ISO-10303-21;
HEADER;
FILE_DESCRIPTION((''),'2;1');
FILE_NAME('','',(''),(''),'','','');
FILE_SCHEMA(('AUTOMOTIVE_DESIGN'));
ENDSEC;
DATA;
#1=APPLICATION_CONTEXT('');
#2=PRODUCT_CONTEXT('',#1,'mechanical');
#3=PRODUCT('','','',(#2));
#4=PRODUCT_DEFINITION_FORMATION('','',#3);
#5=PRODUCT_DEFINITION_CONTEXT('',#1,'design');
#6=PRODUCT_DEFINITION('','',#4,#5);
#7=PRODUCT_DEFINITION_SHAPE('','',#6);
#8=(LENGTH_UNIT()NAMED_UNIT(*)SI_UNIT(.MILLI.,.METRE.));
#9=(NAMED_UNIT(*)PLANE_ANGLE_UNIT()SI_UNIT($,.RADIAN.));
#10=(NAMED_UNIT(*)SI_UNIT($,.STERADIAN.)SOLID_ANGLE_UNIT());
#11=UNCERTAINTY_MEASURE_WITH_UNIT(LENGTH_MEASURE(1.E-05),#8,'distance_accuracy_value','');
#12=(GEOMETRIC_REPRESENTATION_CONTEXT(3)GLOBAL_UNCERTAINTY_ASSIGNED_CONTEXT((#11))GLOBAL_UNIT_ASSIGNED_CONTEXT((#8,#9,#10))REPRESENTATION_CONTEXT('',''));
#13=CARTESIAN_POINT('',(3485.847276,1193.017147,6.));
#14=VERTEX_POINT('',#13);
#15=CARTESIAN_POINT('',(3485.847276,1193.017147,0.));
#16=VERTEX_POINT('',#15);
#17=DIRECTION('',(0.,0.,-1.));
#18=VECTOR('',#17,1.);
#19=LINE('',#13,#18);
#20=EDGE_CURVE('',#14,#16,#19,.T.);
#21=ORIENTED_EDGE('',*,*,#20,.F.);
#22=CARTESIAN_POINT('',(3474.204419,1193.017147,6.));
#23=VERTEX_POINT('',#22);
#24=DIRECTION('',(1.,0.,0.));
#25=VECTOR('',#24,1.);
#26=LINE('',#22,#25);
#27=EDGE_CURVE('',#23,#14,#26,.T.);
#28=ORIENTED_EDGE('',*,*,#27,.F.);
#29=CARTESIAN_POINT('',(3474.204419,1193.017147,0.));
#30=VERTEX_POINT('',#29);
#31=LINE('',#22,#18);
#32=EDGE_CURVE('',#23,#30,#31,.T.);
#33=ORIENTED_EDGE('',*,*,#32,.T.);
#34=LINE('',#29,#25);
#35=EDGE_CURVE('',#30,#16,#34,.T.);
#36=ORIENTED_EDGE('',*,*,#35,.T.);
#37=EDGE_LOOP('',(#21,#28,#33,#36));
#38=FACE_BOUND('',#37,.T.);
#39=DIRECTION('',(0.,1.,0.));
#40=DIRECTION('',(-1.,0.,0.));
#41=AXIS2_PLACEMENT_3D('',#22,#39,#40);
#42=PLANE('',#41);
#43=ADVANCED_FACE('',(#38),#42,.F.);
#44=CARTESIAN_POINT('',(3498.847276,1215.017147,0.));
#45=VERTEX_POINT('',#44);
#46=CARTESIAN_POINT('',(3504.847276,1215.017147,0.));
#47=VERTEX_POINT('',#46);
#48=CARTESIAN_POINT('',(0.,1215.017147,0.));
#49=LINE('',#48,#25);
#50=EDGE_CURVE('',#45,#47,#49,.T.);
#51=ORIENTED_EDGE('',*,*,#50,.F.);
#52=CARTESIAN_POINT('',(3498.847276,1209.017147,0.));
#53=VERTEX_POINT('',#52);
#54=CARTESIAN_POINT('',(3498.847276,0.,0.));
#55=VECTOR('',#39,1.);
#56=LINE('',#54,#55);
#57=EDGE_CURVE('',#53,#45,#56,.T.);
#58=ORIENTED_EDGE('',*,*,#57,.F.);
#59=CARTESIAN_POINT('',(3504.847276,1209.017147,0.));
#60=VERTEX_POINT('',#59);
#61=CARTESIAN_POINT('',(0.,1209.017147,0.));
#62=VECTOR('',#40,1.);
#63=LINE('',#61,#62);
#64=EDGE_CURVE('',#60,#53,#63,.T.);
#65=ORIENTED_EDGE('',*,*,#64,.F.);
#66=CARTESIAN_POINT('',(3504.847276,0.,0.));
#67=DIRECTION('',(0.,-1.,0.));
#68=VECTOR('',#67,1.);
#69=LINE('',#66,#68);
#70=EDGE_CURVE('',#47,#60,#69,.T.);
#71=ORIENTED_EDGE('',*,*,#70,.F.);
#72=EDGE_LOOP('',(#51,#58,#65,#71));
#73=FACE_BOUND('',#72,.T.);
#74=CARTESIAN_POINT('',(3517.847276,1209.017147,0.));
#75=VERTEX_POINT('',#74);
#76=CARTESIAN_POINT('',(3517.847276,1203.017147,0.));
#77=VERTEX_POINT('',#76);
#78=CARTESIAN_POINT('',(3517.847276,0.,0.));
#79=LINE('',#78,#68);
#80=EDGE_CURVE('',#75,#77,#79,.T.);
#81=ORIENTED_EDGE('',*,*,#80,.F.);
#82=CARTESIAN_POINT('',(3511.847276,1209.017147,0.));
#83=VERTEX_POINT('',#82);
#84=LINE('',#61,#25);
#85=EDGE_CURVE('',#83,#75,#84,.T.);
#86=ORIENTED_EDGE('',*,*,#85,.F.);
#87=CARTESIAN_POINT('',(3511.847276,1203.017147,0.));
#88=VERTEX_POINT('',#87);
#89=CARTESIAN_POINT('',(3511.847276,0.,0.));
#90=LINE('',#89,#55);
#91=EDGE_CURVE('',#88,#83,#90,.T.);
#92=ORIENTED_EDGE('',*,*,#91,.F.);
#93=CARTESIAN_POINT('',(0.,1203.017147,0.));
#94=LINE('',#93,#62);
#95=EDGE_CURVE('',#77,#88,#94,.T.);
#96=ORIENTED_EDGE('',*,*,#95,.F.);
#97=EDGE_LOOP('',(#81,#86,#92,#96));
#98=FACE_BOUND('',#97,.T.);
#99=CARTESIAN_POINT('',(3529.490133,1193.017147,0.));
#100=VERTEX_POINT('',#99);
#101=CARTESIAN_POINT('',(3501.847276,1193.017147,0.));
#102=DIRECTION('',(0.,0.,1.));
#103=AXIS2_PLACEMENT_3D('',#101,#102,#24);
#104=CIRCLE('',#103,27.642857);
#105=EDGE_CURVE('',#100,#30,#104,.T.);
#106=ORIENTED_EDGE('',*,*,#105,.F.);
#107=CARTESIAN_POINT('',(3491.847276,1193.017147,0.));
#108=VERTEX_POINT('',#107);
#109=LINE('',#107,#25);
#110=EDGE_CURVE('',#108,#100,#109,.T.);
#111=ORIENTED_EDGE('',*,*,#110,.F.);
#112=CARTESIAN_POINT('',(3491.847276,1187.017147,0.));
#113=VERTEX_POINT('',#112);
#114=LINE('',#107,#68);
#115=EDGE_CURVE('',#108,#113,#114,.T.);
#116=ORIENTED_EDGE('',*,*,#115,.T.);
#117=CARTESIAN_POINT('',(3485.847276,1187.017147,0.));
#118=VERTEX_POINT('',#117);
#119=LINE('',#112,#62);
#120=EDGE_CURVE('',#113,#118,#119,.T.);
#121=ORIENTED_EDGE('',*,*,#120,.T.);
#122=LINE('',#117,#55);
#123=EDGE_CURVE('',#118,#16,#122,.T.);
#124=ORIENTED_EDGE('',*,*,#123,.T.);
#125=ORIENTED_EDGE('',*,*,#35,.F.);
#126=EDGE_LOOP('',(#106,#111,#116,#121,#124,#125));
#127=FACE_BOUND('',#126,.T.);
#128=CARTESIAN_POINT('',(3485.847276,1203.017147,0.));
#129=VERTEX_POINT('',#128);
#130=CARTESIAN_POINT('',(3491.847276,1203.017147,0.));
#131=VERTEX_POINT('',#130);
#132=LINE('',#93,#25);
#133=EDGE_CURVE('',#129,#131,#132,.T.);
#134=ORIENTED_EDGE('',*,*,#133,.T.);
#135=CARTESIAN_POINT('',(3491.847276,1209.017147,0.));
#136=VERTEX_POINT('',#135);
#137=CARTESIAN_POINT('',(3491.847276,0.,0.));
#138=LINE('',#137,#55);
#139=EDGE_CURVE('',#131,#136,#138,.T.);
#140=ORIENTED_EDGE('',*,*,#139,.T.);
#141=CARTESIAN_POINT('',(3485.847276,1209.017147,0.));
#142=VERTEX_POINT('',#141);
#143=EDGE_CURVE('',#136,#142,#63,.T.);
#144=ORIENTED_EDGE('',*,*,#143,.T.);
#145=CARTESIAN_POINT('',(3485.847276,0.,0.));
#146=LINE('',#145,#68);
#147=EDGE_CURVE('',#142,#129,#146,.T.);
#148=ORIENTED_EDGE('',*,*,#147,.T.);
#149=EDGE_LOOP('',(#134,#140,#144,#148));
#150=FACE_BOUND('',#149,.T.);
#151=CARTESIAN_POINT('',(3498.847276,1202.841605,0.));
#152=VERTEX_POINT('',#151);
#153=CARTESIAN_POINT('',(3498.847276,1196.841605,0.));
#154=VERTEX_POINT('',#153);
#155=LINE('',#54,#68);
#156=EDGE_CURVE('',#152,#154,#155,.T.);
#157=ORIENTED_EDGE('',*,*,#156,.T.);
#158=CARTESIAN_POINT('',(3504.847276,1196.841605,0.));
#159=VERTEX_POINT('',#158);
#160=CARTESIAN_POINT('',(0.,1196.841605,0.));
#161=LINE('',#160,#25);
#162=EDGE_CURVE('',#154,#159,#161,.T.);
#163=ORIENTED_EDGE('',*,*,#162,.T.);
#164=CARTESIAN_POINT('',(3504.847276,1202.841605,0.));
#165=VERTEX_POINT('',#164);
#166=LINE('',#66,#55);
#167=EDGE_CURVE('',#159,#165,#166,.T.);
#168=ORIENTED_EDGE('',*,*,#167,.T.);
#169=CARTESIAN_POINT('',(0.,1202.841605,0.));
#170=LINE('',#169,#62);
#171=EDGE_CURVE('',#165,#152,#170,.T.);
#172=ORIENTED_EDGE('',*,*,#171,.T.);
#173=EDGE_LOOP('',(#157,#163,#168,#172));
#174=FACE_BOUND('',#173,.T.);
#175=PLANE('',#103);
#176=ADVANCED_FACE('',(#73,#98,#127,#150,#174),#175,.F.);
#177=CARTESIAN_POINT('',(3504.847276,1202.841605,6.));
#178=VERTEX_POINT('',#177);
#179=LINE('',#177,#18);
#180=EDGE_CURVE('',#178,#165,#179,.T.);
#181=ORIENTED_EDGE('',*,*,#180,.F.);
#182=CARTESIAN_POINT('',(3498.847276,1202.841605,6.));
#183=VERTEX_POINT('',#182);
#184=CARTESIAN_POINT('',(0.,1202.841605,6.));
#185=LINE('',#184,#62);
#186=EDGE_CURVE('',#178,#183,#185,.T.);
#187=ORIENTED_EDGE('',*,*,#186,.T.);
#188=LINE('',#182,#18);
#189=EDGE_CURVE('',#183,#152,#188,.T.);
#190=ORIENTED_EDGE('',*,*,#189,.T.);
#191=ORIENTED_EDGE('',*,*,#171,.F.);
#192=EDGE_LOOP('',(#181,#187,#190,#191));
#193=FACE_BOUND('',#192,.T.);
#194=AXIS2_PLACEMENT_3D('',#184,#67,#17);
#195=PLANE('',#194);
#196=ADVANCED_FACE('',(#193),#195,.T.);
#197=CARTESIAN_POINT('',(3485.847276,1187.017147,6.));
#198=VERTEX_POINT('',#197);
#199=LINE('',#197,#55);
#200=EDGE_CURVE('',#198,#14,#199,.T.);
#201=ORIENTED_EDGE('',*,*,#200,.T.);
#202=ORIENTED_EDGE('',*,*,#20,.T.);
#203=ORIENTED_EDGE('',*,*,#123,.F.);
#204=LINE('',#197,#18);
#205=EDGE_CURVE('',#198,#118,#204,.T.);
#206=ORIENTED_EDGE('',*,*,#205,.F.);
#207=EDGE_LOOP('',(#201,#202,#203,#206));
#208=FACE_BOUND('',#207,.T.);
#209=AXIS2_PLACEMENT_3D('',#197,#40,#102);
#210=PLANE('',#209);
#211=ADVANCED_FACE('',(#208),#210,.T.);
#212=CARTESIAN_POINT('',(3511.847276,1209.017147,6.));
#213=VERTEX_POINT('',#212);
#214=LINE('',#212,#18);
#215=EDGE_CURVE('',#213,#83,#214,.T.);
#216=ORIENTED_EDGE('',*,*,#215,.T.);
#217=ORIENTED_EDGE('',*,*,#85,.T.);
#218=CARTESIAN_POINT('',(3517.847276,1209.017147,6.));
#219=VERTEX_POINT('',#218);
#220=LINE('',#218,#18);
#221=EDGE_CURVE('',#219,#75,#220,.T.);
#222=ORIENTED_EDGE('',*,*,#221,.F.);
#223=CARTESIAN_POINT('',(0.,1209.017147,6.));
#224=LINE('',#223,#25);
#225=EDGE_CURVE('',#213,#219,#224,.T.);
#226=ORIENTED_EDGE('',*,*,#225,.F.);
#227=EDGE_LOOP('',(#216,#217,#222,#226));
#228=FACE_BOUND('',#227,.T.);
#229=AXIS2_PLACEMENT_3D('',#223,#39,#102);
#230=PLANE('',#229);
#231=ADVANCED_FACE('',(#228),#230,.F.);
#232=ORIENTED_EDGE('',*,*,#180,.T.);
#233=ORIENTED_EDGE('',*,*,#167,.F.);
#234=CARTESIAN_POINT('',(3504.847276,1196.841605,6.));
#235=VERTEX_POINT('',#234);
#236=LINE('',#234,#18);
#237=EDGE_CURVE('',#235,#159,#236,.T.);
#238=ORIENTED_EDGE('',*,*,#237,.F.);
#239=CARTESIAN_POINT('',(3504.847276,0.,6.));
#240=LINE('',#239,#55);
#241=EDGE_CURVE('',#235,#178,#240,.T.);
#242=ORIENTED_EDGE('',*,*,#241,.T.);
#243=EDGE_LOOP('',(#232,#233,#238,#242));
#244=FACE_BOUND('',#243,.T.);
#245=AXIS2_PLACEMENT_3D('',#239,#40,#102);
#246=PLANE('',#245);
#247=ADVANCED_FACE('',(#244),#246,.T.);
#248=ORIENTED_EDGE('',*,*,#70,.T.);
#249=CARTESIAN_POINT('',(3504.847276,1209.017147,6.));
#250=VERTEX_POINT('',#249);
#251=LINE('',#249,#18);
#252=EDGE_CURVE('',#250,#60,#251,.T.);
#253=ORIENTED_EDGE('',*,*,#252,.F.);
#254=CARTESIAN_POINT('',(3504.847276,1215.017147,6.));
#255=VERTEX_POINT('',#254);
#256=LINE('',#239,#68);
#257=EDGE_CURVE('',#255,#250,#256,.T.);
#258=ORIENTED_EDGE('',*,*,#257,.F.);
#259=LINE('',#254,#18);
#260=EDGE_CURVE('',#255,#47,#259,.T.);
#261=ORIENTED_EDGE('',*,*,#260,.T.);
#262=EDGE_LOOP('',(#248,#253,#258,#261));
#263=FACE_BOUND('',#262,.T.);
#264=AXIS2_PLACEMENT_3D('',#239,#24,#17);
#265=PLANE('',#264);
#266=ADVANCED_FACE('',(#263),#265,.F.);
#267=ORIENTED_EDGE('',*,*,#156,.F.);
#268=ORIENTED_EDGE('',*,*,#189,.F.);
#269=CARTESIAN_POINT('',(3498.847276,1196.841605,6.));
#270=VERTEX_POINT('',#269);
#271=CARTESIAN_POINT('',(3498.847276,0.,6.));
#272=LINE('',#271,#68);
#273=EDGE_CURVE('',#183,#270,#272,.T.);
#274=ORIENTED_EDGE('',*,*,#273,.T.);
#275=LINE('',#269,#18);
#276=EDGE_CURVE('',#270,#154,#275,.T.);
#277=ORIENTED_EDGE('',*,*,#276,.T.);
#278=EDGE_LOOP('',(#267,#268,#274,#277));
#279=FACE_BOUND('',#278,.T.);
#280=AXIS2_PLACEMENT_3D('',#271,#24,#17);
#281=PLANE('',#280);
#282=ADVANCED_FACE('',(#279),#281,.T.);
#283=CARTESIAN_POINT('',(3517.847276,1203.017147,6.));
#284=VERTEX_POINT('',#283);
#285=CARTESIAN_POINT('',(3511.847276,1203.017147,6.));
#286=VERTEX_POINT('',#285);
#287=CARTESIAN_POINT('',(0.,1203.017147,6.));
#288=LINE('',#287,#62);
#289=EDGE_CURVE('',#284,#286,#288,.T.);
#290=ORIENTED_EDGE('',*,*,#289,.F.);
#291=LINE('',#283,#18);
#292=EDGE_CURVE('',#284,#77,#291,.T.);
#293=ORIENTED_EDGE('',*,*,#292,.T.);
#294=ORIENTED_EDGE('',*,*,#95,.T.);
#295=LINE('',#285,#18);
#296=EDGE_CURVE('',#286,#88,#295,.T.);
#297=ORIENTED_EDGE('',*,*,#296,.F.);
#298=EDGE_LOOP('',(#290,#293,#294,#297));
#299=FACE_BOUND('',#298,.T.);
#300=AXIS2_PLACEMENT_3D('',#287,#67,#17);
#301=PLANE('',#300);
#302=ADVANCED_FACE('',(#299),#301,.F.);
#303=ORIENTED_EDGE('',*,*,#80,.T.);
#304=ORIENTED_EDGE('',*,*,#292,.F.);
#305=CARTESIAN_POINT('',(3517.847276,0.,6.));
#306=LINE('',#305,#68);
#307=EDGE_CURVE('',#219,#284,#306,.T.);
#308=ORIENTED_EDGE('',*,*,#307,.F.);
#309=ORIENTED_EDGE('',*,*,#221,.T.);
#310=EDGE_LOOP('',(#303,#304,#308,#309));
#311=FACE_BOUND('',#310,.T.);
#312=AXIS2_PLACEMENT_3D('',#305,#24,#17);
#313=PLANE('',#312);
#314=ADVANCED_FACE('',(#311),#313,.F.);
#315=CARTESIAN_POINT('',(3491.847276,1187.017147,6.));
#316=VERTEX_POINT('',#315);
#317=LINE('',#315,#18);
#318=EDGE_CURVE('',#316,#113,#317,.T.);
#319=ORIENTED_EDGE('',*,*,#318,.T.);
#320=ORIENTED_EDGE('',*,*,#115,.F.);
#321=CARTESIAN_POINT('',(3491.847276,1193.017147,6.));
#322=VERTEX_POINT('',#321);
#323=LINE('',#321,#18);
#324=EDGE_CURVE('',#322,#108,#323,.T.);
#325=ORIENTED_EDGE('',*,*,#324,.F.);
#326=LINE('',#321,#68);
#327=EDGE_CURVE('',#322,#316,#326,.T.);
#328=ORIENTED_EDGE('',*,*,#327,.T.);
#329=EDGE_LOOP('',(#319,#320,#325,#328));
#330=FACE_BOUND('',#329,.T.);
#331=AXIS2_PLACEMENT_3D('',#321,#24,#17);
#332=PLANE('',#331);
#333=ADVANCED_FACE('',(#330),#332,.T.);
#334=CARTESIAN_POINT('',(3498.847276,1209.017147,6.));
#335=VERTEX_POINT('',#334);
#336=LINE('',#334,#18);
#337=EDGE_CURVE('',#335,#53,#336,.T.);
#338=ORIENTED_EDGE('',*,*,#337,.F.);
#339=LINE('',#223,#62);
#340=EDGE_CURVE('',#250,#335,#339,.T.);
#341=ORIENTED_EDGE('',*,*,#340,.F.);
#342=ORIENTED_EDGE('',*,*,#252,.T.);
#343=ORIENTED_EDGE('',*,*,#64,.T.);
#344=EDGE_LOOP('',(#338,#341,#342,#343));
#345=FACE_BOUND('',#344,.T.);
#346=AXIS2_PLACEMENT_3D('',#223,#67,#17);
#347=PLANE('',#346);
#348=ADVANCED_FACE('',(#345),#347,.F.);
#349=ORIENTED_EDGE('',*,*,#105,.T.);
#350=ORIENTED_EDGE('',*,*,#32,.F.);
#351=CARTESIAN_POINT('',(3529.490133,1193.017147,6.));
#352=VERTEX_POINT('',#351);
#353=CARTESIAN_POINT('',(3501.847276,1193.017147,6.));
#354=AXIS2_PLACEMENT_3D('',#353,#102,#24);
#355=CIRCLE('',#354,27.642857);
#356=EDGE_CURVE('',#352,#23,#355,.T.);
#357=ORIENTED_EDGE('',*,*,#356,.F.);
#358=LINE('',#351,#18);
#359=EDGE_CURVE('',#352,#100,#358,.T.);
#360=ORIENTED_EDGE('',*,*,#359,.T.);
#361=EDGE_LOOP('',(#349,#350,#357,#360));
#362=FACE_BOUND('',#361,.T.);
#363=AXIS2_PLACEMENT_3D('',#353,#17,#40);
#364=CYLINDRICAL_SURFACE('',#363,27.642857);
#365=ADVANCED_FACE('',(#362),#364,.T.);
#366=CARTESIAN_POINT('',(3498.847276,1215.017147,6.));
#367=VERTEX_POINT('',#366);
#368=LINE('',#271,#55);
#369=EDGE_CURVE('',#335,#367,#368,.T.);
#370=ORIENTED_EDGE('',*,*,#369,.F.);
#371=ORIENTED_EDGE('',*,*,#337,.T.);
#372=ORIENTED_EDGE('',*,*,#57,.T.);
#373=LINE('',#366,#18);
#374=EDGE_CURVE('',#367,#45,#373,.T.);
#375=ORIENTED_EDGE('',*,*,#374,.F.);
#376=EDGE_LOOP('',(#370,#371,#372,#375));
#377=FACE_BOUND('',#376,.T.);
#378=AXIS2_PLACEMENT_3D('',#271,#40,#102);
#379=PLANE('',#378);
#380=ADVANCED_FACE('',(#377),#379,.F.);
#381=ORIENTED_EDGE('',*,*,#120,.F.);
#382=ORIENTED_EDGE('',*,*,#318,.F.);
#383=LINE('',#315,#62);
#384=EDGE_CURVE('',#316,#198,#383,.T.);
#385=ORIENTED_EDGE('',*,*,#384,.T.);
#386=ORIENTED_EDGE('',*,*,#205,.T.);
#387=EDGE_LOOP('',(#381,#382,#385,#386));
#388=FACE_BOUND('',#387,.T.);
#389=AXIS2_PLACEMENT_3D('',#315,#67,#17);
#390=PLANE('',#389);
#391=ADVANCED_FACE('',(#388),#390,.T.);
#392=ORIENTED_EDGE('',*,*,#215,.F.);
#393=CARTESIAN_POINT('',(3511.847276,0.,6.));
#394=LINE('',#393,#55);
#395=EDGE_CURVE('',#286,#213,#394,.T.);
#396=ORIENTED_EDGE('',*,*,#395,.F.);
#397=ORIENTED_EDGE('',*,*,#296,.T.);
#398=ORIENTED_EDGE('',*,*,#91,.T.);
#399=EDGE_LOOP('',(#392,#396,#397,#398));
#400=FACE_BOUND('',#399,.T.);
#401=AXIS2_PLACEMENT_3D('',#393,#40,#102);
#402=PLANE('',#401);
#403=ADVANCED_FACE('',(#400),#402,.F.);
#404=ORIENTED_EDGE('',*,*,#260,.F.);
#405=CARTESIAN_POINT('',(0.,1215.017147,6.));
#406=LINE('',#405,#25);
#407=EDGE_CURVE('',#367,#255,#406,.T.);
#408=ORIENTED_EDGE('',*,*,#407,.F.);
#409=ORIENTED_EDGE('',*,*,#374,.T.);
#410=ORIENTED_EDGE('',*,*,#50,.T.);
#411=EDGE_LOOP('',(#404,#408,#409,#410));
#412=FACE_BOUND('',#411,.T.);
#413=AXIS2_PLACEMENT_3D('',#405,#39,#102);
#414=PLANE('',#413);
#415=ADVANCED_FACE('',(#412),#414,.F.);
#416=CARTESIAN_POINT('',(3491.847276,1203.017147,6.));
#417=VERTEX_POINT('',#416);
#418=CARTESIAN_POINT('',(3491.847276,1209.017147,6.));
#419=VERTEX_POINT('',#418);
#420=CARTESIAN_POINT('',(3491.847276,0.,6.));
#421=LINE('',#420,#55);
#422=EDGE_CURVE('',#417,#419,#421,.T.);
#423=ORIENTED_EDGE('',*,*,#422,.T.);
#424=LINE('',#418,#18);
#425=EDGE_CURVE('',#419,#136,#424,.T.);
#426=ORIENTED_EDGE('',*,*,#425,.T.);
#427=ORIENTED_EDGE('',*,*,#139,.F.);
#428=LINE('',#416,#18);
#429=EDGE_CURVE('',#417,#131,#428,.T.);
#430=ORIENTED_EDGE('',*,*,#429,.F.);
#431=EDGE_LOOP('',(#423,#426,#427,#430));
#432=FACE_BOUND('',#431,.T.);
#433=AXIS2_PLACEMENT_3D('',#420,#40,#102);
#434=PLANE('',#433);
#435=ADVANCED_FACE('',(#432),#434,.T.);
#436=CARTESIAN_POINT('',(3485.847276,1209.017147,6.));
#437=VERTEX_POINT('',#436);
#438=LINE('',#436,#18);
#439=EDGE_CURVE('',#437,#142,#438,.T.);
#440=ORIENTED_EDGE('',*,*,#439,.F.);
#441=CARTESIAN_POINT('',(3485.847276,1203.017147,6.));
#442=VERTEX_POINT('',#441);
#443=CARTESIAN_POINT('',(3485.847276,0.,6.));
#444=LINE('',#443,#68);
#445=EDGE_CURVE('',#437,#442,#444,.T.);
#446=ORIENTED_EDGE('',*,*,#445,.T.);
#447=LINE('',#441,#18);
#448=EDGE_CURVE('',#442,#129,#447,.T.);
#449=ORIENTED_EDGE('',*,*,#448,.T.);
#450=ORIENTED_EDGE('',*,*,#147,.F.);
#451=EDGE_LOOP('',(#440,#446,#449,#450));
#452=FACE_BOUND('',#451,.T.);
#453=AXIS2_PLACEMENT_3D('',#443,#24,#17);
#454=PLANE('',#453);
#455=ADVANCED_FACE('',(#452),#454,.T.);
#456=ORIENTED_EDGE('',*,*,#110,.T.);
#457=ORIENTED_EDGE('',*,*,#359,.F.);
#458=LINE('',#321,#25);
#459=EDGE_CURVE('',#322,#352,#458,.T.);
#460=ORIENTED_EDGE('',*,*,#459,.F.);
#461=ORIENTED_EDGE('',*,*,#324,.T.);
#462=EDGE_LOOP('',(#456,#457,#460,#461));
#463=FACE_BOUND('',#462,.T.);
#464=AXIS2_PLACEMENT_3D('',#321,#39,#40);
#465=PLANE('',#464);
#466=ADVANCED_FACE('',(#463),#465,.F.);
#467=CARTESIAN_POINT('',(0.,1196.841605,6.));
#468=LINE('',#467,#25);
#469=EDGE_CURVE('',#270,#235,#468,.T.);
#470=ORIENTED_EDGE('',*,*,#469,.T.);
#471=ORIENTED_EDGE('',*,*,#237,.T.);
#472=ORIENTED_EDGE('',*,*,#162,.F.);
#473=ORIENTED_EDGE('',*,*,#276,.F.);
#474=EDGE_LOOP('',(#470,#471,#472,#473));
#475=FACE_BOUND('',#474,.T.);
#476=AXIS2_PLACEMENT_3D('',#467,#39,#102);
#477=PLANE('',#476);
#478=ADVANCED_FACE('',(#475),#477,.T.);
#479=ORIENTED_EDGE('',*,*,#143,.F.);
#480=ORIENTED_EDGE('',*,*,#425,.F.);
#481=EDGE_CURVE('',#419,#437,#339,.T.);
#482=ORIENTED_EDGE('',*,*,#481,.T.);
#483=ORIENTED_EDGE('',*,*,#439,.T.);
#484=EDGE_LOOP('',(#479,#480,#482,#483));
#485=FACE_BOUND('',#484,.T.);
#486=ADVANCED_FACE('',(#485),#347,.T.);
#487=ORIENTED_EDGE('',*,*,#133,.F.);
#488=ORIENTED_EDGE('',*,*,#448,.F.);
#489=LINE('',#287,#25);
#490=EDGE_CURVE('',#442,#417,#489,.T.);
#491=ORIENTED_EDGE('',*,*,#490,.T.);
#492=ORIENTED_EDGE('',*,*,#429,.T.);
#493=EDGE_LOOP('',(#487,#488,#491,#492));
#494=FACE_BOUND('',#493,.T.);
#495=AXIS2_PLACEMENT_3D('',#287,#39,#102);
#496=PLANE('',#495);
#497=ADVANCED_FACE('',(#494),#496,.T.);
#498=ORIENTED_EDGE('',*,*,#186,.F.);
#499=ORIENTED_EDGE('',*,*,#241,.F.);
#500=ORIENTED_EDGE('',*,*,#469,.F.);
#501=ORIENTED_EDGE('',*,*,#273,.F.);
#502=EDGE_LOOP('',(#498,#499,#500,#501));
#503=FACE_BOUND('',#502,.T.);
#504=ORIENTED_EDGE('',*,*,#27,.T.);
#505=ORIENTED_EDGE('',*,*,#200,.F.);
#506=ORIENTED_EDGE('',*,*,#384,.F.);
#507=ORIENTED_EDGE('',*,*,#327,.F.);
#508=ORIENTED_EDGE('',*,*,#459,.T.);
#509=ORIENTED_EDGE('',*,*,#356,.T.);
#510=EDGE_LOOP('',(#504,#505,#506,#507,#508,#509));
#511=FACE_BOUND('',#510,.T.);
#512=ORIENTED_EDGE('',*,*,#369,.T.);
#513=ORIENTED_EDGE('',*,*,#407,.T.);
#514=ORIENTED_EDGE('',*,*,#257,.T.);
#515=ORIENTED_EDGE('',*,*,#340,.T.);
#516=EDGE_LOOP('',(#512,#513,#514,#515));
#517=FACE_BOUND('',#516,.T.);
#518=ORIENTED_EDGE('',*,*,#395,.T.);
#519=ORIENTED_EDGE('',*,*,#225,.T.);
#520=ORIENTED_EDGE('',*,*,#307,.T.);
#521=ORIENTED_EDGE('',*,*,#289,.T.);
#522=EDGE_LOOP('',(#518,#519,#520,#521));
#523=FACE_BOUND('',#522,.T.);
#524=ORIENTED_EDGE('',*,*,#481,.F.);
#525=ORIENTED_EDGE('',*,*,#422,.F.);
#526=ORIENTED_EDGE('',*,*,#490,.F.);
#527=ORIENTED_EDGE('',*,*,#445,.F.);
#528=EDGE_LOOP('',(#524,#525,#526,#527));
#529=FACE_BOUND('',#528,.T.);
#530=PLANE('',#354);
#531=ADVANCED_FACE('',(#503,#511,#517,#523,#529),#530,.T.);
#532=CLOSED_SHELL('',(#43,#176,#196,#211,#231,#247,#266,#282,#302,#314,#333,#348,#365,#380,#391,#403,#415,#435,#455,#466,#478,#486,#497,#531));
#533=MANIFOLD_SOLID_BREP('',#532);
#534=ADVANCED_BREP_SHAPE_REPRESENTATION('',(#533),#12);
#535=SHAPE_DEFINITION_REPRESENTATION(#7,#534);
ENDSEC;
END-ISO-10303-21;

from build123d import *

# Parameters (mm, degrees)
MODEL_W             = 6
MODEL_H             = 6
BOSS_EXTRUDE1_DEPTH = 6


with BuildPart() as part:
    # Model → Boss-Extrude1 (new body)
    with BuildSketch(Plane.XY):
        with BuildLine():
            Line((3491.847275697, 1193.017146611), (3491.847275697, 1187.017146611))
            Line((3491.847275697, 1187.017146611), (3485.847275697, 1187.017146611))
            Line((3485.847275697, 1187.017146611), (3485.847275697, 1193.017146611))
            Line((3485.847275697, 1193.017146611), (3474.204418554, 1193.017146611))
            ThreePointArc((3474.204418554, 1193.017146611), (3501.847275697, 1220.660003754), (3529.49013284, 1193.017146611))
            Line((3529.49013284, 1193.017146611), (3491.847275697, 1193.017146611))
        make_face()
        with Locations((3514.847275697, 1206.017146611)):
            Rectangle(MODEL_W, MODEL_H, mode=Mode.SUBTRACT)
        with Locations((3488.847275697, 1206.017146611)):
            Rectangle(MODEL_W, MODEL_H, mode=Mode.SUBTRACT)
        with Locations((3501.847275697, 1212.017146611)):
            Rectangle(MODEL_W, MODEL_H, mode=Mode.SUBTRACT)
        with Locations((3501.847275697, 1199.841605445)):
            Rectangle(MODEL_W, MODEL_H, mode=Mode.SUBTRACT)
    extrude(amount=BOSS_EXTRUDE1_DEPTH)


solid = part.part
